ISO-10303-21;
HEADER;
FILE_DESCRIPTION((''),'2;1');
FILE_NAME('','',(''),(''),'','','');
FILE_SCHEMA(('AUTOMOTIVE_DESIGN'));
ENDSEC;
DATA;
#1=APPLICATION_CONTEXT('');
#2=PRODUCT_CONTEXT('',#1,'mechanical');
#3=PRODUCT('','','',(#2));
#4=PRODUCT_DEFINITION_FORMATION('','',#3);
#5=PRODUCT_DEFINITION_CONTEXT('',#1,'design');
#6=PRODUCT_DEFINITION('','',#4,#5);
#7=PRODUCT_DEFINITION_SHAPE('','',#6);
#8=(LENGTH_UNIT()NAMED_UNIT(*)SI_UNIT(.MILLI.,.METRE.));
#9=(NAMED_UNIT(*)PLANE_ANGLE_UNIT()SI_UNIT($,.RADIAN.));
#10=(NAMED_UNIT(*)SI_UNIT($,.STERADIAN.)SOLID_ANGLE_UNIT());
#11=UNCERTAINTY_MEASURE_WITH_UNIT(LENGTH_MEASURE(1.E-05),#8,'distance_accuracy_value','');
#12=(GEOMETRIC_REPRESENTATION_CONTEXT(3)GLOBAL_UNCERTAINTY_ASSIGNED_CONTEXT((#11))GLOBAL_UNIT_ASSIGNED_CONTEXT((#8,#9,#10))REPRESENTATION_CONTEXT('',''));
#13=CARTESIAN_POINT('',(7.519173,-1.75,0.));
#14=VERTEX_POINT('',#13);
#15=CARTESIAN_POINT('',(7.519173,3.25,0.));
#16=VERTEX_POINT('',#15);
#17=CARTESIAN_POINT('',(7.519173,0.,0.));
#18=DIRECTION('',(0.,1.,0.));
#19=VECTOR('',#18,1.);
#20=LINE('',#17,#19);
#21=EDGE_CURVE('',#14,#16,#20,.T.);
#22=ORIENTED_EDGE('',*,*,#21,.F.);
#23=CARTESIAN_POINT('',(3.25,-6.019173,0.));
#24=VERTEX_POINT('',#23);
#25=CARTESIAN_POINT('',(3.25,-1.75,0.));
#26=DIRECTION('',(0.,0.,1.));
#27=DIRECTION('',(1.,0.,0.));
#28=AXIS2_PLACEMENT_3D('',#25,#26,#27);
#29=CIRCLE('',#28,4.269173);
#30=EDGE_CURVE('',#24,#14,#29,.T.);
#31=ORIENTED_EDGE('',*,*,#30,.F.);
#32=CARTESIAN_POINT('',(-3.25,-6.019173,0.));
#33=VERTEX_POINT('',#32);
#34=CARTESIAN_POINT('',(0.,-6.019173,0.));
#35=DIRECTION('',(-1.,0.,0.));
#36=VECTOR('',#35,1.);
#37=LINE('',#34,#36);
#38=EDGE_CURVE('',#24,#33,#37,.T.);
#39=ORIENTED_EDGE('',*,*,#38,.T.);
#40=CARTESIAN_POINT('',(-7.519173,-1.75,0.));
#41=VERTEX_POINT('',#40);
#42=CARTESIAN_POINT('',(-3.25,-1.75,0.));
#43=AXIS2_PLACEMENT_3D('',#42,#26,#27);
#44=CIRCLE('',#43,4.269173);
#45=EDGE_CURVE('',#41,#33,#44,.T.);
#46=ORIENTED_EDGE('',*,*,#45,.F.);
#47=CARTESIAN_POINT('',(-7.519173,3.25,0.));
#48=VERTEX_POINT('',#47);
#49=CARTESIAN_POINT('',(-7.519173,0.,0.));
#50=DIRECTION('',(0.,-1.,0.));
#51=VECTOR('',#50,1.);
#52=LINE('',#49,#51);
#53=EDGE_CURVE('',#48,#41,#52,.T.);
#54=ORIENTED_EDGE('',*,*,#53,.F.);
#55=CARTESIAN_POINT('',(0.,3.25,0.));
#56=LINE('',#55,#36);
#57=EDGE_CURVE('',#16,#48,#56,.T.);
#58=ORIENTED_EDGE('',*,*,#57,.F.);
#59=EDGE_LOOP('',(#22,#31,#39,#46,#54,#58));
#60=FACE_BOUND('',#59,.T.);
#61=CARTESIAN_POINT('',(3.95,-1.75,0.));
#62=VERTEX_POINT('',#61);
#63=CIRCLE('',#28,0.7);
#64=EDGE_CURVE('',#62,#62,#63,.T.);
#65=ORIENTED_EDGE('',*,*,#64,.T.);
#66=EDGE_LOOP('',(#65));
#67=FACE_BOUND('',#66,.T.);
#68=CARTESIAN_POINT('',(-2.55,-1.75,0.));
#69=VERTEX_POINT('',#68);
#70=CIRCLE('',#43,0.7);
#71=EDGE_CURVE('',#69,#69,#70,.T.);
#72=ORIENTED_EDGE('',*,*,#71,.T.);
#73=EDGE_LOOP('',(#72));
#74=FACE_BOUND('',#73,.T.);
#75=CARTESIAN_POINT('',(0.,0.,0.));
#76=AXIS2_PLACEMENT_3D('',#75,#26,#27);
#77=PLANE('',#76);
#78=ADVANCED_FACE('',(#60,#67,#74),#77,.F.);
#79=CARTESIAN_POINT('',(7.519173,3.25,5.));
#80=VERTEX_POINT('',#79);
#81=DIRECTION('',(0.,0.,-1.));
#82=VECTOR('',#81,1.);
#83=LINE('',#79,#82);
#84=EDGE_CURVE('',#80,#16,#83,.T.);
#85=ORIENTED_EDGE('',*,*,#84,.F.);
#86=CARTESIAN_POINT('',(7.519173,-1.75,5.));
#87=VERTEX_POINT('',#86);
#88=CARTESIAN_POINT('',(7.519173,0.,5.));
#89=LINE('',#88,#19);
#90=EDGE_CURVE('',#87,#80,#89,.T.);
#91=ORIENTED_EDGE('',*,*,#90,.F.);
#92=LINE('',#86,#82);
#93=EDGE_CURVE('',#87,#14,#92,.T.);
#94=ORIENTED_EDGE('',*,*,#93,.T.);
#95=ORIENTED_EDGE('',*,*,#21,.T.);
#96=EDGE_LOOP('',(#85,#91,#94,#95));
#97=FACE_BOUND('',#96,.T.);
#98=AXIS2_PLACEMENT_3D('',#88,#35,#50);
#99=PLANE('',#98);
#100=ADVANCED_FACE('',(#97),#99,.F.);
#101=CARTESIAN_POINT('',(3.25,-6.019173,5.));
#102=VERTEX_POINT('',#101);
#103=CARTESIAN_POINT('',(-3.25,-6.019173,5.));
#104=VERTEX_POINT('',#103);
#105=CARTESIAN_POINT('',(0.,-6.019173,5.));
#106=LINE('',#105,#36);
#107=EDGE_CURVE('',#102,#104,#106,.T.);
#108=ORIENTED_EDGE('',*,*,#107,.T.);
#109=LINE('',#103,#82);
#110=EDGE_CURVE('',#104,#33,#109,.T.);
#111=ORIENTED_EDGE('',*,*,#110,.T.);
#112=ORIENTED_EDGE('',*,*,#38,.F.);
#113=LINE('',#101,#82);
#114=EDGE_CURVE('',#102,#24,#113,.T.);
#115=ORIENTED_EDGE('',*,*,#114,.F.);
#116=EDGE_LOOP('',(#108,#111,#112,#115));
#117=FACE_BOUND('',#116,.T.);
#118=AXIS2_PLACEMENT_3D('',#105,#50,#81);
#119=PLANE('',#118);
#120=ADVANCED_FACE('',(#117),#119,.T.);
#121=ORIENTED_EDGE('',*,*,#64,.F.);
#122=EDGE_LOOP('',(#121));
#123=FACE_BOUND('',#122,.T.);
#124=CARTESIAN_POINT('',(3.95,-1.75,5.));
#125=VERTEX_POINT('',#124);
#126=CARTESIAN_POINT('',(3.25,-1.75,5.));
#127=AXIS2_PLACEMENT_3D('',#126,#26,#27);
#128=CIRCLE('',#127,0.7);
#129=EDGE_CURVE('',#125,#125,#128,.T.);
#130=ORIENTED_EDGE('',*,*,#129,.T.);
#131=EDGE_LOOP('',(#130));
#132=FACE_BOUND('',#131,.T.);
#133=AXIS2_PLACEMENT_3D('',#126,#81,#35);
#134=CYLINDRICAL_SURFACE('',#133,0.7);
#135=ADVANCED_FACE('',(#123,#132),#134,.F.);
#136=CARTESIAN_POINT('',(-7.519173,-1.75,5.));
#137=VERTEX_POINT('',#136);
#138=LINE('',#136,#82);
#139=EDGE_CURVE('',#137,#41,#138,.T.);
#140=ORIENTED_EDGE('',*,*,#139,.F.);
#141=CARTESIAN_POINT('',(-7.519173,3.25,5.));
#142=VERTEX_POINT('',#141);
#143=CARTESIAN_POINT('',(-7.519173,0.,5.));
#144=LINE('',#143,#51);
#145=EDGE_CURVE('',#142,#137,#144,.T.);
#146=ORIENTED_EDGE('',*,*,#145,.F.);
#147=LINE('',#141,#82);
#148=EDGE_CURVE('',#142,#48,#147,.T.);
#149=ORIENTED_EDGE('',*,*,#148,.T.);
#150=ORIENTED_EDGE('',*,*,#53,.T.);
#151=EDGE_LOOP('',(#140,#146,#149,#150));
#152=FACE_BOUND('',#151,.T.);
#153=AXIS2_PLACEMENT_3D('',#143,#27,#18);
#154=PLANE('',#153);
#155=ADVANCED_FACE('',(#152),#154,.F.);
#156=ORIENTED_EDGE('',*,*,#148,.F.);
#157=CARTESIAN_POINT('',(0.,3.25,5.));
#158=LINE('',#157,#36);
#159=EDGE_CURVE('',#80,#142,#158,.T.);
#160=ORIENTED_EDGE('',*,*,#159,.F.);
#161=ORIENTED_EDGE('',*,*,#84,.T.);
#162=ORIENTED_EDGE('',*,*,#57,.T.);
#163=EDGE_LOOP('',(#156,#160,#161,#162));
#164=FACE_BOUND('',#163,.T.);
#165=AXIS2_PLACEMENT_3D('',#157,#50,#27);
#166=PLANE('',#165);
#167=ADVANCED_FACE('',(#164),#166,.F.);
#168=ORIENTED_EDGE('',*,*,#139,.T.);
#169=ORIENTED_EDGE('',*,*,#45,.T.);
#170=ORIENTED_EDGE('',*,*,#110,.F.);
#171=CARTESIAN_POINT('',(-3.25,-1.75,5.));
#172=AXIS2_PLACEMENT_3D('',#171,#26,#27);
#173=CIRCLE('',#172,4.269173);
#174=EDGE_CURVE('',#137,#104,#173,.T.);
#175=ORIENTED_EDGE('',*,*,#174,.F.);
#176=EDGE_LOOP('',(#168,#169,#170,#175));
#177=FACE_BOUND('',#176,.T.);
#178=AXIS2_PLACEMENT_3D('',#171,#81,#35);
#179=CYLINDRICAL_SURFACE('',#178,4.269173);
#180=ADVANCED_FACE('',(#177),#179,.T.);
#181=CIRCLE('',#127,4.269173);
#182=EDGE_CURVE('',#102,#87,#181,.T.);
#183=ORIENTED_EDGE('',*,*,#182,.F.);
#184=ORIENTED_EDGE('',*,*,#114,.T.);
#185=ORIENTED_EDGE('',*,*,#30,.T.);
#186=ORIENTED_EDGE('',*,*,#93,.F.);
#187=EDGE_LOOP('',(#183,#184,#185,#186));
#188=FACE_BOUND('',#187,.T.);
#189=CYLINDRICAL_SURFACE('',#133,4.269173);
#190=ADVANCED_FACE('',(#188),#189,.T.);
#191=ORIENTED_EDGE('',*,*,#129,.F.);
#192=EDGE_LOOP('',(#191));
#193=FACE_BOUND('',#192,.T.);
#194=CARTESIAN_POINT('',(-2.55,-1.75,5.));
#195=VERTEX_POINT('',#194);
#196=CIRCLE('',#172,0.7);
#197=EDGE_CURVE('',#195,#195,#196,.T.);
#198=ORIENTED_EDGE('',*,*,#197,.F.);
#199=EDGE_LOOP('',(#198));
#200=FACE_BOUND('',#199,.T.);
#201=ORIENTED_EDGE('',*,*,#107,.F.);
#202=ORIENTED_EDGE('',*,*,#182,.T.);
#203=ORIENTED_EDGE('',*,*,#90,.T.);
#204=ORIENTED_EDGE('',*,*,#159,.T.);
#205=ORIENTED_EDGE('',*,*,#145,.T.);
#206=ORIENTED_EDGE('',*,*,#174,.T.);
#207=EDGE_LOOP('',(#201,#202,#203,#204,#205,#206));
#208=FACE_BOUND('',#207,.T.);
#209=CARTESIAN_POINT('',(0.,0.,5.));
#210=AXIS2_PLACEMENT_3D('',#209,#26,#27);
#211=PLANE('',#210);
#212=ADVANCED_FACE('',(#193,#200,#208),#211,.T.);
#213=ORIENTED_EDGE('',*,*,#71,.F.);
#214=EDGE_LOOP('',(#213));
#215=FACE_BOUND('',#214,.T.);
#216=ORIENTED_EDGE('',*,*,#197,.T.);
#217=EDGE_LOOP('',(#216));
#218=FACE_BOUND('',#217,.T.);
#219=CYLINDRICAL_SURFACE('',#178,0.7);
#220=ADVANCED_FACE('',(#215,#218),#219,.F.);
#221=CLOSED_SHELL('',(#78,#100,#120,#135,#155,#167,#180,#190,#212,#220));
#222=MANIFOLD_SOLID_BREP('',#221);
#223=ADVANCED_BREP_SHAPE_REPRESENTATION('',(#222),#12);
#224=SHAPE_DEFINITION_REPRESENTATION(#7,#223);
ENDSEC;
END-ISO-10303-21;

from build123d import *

# Parameters (mm, degrees)
SKETCH1_R           = 0.7
BOSS_EXTRUDE2_DEPTH = 5


with BuildPart() as part:
    # Sketch1 → Boss-Extrude2 (new body)
    with BuildSketch(Plane.XY):
        with BuildLine():
            Line((3.25, -6.019172648), (-3.25, -6.019172648))
            ThreePointArc((-3.25, -6.019172648), (-6.268760929, -4.768760929), (-7.519172648, -1.75))
            Line((-7.519172648, -1.75), (-7.519172648, 3.25))
            Line((-7.519172648, 3.25), (7.519172648, 3.25))
            Line((7.519172648, 3.25), (7.519172648, -1.75))
            ThreePointArc((7.519172648, -1.75), (6.268760929, -4.768760929), (3.25, -6.019172648))
        make_face()
        with Locations((-3.25, -1.75)):
            Circle(SKETCH1_R, mode=Mode.SUBTRACT)
        with Locations((3.25, -1.75)):
            Circle(SKETCH1_R, mode=Mode.SUBTRACT)
    extrude(amount=BOSS_EXTRUDE2_DEPTH)


solid = part.part
